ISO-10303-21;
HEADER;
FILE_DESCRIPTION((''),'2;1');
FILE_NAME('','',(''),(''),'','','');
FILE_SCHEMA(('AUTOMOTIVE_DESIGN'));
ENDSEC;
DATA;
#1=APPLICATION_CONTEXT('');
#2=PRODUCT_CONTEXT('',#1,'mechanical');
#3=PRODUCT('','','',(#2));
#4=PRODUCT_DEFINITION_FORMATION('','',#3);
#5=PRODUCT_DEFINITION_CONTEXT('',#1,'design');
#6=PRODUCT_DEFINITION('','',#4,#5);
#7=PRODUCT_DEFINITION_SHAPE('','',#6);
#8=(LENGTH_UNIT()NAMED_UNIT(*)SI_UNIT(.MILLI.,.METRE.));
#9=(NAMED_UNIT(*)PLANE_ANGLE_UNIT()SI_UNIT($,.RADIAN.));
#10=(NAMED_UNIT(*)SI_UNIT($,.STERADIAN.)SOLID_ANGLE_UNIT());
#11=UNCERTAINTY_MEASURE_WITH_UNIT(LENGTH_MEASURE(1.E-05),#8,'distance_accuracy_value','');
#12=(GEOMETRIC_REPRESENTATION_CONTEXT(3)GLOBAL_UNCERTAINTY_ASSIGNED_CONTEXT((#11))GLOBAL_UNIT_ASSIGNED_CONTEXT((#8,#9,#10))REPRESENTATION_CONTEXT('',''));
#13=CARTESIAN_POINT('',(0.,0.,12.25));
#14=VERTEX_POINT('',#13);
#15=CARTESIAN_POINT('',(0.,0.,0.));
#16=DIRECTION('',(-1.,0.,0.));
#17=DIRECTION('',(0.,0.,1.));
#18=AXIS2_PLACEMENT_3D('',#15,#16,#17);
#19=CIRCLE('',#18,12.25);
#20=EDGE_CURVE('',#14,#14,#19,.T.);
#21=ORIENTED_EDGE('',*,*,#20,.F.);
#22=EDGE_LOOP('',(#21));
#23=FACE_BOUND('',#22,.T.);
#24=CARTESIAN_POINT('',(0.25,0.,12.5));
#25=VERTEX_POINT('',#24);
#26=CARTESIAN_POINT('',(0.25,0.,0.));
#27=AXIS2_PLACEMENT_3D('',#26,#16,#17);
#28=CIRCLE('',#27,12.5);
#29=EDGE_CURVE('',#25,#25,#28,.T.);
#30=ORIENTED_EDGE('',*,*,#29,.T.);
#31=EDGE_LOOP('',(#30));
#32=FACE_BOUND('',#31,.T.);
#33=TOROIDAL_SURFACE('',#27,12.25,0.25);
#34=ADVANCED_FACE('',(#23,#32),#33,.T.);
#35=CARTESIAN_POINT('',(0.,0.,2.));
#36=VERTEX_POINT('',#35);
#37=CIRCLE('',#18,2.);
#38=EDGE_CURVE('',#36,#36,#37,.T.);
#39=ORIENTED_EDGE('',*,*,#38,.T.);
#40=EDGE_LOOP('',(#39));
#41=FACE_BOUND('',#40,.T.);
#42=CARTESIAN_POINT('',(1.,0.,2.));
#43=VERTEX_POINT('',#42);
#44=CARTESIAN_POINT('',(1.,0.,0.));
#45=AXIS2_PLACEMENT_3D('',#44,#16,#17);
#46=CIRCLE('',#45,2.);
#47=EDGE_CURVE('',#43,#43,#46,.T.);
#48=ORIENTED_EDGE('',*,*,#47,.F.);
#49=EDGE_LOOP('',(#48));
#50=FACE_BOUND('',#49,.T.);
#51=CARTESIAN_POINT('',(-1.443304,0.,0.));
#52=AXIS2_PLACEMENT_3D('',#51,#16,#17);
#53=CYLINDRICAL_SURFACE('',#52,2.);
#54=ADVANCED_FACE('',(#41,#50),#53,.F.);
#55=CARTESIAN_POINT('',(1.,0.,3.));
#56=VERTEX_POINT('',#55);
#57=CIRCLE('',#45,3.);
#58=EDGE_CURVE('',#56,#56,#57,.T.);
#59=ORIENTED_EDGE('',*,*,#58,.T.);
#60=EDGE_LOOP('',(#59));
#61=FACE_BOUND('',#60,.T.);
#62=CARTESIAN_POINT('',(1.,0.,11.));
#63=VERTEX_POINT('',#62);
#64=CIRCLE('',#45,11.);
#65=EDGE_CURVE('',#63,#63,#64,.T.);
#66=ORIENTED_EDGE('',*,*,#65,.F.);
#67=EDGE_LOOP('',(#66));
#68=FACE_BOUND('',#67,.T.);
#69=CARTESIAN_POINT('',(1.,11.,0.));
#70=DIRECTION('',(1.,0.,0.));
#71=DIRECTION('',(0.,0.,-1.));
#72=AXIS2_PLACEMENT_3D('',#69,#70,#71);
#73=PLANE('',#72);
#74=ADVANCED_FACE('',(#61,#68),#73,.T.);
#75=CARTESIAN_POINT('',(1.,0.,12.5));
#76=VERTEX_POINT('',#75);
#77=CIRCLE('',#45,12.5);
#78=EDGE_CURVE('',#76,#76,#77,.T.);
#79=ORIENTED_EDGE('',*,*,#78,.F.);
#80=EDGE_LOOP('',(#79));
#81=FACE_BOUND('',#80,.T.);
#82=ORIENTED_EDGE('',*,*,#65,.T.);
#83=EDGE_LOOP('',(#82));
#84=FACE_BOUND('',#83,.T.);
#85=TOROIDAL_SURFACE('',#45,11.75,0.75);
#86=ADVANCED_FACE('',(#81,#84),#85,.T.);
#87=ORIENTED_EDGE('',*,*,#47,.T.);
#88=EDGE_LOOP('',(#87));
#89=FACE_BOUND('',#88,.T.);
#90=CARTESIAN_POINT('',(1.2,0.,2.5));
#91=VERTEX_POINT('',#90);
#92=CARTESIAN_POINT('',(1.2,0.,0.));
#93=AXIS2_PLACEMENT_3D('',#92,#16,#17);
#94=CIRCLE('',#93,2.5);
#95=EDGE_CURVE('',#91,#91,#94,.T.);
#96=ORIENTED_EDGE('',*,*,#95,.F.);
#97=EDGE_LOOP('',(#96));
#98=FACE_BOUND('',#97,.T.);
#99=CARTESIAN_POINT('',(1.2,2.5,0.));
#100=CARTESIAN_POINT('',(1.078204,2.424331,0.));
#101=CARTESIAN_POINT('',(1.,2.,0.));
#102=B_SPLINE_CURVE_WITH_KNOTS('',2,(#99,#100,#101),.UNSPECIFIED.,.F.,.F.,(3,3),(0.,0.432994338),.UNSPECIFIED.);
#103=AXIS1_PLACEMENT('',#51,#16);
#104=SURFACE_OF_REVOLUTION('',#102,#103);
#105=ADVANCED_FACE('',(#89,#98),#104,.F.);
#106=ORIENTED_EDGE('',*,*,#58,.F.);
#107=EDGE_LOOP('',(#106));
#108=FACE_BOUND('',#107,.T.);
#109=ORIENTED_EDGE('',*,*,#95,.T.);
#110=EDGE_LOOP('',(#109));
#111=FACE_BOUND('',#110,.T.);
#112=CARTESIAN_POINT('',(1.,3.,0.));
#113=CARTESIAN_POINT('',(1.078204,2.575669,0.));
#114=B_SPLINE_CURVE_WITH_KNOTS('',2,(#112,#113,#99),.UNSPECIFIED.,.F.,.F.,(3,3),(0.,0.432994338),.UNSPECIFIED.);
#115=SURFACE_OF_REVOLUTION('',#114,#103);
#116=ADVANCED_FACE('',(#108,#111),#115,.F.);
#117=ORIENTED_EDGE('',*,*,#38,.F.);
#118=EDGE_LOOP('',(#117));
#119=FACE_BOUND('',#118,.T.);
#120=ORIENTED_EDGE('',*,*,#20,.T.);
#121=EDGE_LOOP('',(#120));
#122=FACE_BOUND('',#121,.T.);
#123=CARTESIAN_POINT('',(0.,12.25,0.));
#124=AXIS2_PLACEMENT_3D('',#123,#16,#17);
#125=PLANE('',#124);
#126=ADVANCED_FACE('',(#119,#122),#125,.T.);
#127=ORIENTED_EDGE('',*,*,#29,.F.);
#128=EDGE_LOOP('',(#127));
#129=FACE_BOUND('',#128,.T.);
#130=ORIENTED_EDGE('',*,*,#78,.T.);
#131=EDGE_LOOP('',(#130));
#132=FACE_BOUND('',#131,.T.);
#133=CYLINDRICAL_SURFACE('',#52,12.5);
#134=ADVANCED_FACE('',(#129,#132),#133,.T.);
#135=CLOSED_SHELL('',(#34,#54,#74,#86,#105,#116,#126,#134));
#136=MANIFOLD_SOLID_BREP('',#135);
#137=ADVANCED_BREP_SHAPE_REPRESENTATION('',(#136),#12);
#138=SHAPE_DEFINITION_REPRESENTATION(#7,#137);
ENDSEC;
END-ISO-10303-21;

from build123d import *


with BuildPart() as part:
    # Sketch1 → Revolve1 (revolve)
    with BuildSketch(Plane(origin=(0, 0, 0), x_dir=(-1, 0, 0), z_dir=(0, 0, -1))):
        with BuildLine():
            Line((-1, 11), (-1, 3))
            add(Edge.make_bspline(
                [(-1, 3), (-1.078203591, 2.575668755), (-1.2, 2.5)],
                knots=[0, 0, 0, 0.432994338, 0.432994338, 0.432994338], degree=2))
            add(Edge.make_bspline(
                [(-1, 2), (-1.078203591, 2.424331245), (-1.2, 2.5)],
                knots=[0, 0, 0, 0.432994338, 0.432994338, 0.432994338], degree=2))
            Line((-1, 2), (0, 2))
            Line((0, 2), (0, 12.25))
            ThreePointArc((0, 12.25), (-0.073223305, 12.426776695), (-0.25, 12.5))
            Line((-0.25, 12.5), (-1, 12.5))
            ThreePointArc((-1, 12.5), (-1.75, 11.75), (-1, 11))
        make_face()
    revolve(axis=Axis((-1.443304251, 0, 0), (1, 0, 0)))


solid = part.part
